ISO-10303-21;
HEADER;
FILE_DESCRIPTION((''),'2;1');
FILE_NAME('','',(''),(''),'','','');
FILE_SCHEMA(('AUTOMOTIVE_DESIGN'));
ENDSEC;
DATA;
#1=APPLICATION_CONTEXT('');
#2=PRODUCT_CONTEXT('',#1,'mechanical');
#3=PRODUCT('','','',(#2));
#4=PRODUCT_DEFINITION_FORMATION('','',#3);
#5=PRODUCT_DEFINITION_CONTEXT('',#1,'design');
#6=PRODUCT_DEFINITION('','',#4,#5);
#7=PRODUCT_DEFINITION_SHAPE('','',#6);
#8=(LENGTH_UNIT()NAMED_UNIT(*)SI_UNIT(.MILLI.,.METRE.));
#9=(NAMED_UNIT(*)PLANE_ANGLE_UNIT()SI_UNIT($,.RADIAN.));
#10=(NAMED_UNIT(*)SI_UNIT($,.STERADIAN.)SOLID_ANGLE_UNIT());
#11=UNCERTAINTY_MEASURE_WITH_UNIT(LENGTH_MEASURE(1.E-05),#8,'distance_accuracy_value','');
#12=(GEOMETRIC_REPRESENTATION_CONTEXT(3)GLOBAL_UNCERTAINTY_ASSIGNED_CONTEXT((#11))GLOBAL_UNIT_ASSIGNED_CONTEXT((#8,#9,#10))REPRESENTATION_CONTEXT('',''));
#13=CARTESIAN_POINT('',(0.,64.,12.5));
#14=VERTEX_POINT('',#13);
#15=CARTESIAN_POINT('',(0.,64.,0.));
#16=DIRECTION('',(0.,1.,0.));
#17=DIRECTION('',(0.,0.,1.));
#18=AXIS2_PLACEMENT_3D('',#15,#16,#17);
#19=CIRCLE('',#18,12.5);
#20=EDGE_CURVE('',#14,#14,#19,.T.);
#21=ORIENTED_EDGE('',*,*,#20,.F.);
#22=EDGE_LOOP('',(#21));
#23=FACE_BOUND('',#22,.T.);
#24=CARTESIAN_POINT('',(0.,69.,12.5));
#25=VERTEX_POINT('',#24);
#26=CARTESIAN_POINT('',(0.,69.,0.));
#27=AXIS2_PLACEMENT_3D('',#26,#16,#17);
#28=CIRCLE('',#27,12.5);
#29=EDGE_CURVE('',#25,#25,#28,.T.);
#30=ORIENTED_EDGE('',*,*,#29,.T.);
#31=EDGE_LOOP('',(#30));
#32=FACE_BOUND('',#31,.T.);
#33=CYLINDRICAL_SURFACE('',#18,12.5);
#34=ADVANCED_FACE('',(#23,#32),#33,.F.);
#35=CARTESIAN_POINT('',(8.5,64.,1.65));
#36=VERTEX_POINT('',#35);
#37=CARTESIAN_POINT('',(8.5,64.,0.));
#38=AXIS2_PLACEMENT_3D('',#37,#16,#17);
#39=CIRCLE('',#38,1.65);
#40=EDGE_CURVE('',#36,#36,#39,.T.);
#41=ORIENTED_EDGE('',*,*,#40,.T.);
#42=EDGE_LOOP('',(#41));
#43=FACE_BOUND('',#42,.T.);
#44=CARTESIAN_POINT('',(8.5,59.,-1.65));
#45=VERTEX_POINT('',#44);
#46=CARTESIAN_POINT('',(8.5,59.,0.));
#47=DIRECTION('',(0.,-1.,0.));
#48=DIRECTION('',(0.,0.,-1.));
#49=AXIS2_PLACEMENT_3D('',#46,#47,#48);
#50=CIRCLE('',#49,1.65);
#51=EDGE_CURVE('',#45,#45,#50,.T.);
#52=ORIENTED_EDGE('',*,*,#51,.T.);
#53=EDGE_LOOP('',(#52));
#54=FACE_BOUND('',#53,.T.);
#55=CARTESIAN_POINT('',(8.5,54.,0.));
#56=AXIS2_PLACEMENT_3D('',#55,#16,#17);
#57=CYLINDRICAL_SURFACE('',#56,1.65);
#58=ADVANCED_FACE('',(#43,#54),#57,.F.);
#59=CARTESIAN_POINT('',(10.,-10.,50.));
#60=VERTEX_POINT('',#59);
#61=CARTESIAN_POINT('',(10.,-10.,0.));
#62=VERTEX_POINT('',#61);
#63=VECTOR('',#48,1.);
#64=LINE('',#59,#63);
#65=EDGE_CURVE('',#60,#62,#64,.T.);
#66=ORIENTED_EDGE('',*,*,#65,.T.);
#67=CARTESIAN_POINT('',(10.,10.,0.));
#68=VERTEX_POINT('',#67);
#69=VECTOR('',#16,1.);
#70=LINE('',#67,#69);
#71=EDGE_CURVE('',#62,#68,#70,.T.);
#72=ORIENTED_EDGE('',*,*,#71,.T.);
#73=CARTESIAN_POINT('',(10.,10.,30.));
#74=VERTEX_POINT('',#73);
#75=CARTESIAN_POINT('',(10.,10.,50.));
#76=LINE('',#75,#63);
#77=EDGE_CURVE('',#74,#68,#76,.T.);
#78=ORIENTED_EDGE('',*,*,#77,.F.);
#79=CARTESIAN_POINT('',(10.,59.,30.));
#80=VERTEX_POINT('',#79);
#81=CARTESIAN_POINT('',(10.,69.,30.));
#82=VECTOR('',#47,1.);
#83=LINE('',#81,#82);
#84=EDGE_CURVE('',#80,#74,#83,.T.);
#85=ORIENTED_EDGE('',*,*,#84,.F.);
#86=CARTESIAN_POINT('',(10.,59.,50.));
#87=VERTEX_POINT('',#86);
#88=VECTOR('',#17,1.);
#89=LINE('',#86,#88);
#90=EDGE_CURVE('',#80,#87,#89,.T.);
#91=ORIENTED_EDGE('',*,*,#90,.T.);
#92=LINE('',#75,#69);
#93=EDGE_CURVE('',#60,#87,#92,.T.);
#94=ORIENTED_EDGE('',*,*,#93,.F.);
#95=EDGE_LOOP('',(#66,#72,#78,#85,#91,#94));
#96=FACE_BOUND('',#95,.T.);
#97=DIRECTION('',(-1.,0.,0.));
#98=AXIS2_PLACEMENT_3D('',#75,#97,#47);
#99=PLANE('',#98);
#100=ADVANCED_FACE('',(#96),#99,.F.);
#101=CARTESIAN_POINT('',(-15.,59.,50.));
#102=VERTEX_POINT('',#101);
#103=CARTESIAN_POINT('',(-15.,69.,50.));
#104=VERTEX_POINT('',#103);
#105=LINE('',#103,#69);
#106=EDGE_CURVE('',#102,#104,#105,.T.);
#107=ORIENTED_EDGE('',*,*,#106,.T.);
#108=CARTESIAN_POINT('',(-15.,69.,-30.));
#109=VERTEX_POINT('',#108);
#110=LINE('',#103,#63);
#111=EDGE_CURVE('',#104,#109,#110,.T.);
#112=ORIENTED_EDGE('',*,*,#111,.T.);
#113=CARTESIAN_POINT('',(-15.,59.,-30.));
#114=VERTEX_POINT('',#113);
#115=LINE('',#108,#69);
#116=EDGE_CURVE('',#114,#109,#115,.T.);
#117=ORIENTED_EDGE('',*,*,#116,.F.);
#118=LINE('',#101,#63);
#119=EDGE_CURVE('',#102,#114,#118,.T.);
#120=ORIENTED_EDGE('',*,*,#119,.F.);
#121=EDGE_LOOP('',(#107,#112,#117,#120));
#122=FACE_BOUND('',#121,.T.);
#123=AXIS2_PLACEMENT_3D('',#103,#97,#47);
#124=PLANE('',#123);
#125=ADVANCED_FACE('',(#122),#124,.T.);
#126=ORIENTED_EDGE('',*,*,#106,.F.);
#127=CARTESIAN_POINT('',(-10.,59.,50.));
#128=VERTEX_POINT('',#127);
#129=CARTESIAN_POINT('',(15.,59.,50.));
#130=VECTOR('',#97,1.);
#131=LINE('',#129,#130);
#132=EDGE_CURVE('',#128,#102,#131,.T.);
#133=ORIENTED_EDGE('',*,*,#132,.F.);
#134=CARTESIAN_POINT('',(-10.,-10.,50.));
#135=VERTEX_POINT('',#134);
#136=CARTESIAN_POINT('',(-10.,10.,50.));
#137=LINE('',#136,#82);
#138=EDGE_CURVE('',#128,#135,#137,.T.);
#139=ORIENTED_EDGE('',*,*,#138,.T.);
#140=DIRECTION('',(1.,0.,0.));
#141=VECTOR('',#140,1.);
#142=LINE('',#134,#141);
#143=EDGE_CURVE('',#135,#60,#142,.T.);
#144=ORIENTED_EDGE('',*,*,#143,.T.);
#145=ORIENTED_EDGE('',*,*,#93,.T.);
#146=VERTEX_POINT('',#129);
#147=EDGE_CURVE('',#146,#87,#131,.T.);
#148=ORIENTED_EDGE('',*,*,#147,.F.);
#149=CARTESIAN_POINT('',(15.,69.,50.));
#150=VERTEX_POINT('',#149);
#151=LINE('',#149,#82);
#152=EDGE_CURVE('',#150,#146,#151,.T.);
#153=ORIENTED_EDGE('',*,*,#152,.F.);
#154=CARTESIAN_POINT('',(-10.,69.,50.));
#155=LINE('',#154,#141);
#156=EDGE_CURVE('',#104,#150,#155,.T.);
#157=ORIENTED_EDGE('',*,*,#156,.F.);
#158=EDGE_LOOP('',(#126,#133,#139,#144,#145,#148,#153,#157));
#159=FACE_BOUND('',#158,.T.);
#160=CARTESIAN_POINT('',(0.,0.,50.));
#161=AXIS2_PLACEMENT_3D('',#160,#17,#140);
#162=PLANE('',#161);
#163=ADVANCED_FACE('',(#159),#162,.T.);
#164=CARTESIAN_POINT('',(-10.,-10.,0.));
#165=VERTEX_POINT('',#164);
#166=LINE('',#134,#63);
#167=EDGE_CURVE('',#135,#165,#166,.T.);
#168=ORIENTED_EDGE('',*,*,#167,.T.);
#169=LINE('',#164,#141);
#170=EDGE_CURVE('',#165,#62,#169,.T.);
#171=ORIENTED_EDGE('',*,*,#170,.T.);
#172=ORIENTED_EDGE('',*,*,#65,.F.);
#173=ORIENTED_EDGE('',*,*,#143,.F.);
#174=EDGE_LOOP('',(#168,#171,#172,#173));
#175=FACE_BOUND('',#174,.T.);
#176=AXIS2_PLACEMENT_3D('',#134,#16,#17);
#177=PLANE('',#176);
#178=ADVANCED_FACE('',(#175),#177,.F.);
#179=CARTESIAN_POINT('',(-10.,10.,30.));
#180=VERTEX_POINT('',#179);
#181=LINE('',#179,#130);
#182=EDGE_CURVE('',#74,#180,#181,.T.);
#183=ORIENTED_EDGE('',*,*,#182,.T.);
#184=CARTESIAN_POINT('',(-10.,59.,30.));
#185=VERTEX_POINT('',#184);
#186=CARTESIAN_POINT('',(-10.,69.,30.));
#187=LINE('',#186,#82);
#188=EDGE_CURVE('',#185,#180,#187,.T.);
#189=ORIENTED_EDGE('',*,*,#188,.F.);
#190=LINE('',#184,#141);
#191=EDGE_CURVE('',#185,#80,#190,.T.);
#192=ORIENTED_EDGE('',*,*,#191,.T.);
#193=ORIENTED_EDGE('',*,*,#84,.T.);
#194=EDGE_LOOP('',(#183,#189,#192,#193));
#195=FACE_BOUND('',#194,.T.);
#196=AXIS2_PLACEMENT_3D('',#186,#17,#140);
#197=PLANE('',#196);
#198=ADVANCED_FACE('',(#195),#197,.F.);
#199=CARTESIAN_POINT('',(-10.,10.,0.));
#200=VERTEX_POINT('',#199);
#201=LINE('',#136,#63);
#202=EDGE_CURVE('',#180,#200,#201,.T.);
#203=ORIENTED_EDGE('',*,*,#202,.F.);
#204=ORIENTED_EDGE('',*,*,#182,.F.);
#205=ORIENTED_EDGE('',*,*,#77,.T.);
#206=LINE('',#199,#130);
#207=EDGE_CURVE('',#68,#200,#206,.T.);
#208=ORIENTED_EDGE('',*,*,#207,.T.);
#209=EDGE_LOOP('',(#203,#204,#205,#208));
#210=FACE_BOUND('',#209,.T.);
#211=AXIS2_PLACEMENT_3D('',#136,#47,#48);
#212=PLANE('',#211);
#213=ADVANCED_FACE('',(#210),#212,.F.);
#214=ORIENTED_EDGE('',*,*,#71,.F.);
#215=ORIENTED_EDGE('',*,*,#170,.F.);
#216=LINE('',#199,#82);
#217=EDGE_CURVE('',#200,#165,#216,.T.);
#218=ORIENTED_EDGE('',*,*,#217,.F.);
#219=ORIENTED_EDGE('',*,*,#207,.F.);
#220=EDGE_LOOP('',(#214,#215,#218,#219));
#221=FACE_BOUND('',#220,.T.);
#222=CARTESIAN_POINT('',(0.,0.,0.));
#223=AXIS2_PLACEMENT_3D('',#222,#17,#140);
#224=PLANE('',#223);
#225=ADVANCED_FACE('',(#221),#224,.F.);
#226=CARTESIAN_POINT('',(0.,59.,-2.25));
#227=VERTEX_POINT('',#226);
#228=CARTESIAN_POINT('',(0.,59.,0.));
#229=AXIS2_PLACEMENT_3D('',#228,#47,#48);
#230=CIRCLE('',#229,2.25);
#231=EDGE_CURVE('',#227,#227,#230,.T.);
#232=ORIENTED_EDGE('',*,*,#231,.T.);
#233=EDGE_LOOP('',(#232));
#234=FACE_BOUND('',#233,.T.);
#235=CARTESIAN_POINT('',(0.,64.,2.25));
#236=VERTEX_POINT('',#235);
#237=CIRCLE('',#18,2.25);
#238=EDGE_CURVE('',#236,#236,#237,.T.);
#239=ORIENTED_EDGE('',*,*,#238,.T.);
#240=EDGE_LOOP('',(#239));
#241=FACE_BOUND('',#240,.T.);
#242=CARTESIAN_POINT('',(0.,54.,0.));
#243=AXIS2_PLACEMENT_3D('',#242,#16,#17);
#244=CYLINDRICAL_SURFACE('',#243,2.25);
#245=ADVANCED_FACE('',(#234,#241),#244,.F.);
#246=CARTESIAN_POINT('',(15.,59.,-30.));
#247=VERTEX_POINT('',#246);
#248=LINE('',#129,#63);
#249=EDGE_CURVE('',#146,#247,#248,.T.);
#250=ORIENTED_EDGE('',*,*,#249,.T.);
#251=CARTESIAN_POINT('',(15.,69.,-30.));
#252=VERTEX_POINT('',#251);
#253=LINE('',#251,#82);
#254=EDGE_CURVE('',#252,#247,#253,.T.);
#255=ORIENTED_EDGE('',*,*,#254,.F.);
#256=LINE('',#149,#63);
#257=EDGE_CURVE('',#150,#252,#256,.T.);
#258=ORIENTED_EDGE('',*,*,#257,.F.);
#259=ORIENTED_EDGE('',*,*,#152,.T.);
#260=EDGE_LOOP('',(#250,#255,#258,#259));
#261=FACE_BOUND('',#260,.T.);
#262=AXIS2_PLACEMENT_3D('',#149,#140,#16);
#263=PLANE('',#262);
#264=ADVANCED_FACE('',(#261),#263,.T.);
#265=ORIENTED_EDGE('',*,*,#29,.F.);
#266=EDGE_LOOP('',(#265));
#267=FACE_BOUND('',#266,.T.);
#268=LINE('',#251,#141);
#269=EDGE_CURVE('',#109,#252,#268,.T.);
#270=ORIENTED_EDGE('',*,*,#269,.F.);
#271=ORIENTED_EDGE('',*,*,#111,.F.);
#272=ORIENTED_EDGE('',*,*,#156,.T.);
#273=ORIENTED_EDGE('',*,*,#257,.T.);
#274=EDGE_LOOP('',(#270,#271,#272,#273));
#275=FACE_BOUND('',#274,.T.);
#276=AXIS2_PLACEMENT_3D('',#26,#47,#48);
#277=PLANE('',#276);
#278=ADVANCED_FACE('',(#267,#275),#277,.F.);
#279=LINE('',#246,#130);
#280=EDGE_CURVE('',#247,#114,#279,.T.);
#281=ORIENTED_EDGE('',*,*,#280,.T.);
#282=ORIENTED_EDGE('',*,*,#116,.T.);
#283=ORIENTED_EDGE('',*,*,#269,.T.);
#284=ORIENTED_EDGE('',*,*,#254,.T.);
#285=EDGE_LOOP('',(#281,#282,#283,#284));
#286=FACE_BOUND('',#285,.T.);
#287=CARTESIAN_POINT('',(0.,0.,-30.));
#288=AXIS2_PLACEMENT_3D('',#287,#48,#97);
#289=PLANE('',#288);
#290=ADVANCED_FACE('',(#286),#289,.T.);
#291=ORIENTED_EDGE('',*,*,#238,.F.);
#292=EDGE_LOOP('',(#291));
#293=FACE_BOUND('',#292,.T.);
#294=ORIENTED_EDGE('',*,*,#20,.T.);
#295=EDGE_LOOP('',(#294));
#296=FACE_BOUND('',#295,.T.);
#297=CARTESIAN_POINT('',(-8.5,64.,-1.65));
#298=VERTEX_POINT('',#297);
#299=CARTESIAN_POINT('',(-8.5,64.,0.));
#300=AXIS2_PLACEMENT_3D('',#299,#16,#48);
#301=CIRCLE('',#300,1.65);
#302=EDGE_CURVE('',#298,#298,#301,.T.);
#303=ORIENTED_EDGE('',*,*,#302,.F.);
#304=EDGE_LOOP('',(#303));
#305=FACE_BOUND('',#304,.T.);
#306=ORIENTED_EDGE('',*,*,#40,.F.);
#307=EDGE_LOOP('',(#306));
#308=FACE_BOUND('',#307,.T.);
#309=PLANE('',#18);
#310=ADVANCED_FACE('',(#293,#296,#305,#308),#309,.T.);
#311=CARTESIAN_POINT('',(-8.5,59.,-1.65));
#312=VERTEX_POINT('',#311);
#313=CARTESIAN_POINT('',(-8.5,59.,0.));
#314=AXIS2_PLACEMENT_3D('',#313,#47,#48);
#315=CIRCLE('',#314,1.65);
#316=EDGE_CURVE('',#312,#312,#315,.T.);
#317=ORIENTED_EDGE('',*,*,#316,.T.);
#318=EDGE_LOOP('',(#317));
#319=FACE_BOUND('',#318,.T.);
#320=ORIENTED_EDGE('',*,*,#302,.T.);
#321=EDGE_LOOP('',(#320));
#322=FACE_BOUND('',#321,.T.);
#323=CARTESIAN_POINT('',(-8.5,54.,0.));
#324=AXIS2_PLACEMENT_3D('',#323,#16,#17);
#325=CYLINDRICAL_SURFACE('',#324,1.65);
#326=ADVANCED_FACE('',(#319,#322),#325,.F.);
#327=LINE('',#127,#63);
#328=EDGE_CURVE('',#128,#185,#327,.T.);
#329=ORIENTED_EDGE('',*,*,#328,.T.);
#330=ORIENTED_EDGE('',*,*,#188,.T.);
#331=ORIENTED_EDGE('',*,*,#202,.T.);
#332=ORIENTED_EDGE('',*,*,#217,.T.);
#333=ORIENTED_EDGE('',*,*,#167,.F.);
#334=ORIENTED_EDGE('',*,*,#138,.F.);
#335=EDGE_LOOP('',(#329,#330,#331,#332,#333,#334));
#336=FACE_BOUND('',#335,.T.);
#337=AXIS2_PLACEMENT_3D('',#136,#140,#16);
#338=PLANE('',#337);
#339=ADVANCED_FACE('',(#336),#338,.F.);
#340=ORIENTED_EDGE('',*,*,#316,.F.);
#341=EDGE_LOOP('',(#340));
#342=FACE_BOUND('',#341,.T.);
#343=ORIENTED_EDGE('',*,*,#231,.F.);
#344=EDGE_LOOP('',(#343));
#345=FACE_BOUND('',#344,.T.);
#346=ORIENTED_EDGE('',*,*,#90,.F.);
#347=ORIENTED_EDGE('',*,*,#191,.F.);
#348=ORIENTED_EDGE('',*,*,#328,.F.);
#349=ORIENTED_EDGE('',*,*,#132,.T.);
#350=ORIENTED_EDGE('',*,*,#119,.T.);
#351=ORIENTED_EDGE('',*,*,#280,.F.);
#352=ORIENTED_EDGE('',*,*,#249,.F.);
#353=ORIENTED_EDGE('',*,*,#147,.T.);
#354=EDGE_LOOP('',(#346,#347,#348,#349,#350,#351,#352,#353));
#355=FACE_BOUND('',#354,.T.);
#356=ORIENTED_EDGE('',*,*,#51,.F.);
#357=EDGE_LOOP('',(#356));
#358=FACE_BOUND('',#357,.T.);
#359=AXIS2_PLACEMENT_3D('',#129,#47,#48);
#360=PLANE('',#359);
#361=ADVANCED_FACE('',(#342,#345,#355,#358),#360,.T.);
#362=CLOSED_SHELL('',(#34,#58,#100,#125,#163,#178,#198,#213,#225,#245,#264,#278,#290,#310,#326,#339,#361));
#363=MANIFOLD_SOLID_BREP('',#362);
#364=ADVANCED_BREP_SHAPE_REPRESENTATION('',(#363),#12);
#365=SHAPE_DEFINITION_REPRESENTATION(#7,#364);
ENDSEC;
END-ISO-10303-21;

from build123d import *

# Parameters (mm, degrees)
CROQUIS2_W                   = 20
CROQUIS2_H                   = 20
SALIENTE_EXTRUIR1_DEPTH      = 50
CROQUIS3_W                   = 20
CROQUIS3_H                   = 20
SALIENTE_EXTRUIR2_DEPTH      = 59
SALIENTE_EXTRUIR4_DEPTH      = 60
SALIENTE_EXTRUIR4_DEPTH_BACK = 20
CROQUIS7_W                   = 30
CROQUIS7_H                   = 10
CROQUIS14_R                  = 12.5
CORTAR_EXTRUIR4_DEPTH        = 5
CROQUIS16_R                  = 2.25
CORTAR_EXTRUIR5_DEPTH        = 10
CROQUIS19_R                  = 1.65
CORTAR_EXTRUIR6_DEPTH        = 10


with BuildPart() as part:
    # Croquis2 → Saliente-Extruir1 (new body)
    with BuildSketch(Plane.XY):
        Rectangle(CROQUIS2_W, CROQUIS2_H)
    extrude(amount=SALIENTE_EXTRUIR1_DEPTH)

    # Croquis3 → Saliente-Extruir2 (add)
    with BuildSketch(Plane(origin=(0, 10, 0), x_dir=(1, 0, 0), z_dir=(0, 1, 0))):
        with Locations((0, -40)):
            Rectangle(CROQUIS3_W, CROQUIS3_H)
    extrude(amount=SALIENTE_EXTRUIR2_DEPTH)

    # Croquis7 → Saliente-Extruir4 (add, two sides: drawn at the far end of the back side and taken through both)
    with BuildSketch(Plane(origin=(0, 0, 30), x_dir=(-1, 0, 0), z_dir=(0, 0, -1)).offset(-SALIENTE_EXTRUIR4_DEPTH_BACK)):
        with Locations((0, 64)):
            Rectangle(CROQUIS7_W, CROQUIS7_H)
    extrude(amount=SALIENTE_EXTRUIR4_DEPTH + SALIENTE_EXTRUIR4_DEPTH_BACK)

    # Croquis14 → Cortar-Extruir4 (cut)
    with BuildSketch(Plane(origin=(0, 69, 0), x_dir=(1, 0, 0), z_dir=(0, 1, 0))):
        with Locations(Location((0, 0, 0), (0, 0, 270))):
            Circle(CROQUIS14_R)
    extrude(amount=-CORTAR_EXTRUIR4_DEPTH, mode=Mode.SUBTRACT)

    # Croquis16 → Cortar-Extruir5 (cut)
    with BuildSketch(Plane(origin=(0, 64, 0), x_dir=(1, 0, 0), z_dir=(0, 1, 0))):
        with Locations(Location((0, 0, 0), (0, 0, 270))):
            Circle(CROQUIS16_R)
    extrude(amount=-CORTAR_EXTRUIR5_DEPTH, mode=Mode.SUBTRACT)

    # Croquis19 → Cortar-Extruir6 (cut)
    with BuildSketch(Plane(origin=(0, 64, 0), x_dir=(1, 0, 0), z_dir=(0, 1, 0))):
        with Locations(Location((8.5, 0, 0), (0, 0, 270))):
            Circle(CROQUIS19_R)
        with Locations(Location((-8.5, 0, 0), (0, 0, 90))):
            Circle(CROQUIS19_R)
    extrude(amount=-CORTAR_EXTRUIR6_DEPTH, mode=Mode.SUBTRACT)


solid = part.part
